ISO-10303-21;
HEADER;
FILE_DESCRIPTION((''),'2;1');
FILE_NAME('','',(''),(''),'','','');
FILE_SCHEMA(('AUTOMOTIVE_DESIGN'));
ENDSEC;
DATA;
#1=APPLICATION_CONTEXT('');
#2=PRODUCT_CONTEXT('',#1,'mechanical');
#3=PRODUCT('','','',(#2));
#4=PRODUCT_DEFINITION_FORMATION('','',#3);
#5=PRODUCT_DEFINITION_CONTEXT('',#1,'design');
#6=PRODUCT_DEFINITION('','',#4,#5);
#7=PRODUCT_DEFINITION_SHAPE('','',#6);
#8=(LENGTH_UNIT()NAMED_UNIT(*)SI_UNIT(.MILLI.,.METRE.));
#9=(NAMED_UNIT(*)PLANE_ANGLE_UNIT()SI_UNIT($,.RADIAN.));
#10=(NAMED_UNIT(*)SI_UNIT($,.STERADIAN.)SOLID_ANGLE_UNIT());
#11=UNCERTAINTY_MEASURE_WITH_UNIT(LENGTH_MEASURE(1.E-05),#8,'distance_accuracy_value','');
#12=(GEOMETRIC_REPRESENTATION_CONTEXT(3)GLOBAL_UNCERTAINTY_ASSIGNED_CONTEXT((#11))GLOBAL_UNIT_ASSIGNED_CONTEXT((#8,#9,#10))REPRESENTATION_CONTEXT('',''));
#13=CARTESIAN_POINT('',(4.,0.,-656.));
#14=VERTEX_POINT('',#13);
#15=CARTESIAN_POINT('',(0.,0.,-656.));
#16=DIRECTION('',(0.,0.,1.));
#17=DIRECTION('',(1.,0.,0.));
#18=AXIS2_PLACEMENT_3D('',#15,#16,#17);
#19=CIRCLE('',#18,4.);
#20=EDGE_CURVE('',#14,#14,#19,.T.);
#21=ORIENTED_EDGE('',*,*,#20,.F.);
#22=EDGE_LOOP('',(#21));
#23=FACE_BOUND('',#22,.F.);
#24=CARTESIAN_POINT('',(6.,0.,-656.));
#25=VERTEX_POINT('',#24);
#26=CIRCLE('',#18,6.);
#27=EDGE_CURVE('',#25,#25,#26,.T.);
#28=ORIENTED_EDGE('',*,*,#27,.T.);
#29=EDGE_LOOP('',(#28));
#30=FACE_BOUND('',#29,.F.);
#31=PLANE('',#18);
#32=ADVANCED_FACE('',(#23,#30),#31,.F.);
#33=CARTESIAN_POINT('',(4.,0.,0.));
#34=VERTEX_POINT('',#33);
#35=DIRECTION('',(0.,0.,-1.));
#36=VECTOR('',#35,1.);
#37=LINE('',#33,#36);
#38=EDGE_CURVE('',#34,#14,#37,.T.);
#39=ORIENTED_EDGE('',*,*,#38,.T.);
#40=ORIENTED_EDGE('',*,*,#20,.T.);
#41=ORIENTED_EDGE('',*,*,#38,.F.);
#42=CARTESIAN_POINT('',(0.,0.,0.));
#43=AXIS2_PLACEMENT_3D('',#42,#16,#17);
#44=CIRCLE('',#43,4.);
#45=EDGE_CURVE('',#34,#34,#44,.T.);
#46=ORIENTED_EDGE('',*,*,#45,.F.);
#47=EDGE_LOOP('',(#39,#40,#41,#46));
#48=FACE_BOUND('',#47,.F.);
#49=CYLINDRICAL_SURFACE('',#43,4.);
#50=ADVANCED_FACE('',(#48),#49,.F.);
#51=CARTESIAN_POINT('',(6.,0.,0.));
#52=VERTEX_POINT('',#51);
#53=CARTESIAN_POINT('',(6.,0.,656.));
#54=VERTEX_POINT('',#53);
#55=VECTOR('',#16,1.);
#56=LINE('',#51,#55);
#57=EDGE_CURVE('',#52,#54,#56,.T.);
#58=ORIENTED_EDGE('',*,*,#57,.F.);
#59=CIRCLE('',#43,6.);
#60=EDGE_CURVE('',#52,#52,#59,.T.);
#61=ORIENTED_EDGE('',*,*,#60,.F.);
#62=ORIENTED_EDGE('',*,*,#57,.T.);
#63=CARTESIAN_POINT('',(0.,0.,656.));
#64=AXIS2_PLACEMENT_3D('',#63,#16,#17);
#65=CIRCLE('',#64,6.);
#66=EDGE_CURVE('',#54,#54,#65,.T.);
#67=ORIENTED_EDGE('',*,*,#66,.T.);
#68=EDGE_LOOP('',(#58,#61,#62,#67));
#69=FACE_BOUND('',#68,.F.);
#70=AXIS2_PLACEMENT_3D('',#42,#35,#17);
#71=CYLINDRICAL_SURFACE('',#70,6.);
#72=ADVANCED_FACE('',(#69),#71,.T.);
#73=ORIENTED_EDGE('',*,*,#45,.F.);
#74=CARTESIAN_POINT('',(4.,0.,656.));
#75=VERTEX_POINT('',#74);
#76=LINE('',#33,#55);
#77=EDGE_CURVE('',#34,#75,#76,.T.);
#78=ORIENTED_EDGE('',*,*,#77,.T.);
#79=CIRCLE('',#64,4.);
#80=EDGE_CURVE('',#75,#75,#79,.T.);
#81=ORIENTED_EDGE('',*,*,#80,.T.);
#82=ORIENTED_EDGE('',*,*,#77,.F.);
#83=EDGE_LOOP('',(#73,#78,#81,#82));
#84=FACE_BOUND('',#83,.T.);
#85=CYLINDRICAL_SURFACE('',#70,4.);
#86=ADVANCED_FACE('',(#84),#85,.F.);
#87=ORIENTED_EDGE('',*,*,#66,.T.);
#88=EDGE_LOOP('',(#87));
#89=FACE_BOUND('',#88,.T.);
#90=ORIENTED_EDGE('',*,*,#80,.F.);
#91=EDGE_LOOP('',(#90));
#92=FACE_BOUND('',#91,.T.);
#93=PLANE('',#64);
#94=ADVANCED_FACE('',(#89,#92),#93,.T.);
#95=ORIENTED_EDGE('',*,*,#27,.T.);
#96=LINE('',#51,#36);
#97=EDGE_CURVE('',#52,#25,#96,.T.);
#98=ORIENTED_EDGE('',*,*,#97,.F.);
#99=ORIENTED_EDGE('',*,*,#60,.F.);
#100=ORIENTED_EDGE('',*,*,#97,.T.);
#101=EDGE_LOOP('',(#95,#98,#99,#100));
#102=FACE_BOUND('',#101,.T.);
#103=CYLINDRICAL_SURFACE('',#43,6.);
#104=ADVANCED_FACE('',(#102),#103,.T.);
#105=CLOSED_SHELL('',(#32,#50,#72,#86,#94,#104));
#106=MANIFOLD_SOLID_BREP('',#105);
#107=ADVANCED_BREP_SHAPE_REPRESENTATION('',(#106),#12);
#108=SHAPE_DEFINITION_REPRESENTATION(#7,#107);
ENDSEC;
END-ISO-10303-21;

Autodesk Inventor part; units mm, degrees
ref_plane "YZ Plane" through (0, 0, 0) normal (1, 0, 0) x (0, 1, 0)
ref_plane "XZ Plane" through (0, 0, 0) normal (0, 1, 0) x (-1, 0, 0)
ref_plane "XY Plane" through (0, 0, 0) normal (0, 0, 1) x (1, 0, 0)
sketch "スケッチ1" plane through (0, 0, 0) normal (0, 0, 1) x (1, 0, 0)
  circle A0 centre (0, 0) radius 6
  circle A1 centre (0, 0) radius 4
  dimension "d0" = 2
  dimension "d1" = 12
extrude "押し出し1" add sketch "スケッチ1" along normal mid plane 1312
properties part number "axis_f1" material "アルミニウム 6061"
